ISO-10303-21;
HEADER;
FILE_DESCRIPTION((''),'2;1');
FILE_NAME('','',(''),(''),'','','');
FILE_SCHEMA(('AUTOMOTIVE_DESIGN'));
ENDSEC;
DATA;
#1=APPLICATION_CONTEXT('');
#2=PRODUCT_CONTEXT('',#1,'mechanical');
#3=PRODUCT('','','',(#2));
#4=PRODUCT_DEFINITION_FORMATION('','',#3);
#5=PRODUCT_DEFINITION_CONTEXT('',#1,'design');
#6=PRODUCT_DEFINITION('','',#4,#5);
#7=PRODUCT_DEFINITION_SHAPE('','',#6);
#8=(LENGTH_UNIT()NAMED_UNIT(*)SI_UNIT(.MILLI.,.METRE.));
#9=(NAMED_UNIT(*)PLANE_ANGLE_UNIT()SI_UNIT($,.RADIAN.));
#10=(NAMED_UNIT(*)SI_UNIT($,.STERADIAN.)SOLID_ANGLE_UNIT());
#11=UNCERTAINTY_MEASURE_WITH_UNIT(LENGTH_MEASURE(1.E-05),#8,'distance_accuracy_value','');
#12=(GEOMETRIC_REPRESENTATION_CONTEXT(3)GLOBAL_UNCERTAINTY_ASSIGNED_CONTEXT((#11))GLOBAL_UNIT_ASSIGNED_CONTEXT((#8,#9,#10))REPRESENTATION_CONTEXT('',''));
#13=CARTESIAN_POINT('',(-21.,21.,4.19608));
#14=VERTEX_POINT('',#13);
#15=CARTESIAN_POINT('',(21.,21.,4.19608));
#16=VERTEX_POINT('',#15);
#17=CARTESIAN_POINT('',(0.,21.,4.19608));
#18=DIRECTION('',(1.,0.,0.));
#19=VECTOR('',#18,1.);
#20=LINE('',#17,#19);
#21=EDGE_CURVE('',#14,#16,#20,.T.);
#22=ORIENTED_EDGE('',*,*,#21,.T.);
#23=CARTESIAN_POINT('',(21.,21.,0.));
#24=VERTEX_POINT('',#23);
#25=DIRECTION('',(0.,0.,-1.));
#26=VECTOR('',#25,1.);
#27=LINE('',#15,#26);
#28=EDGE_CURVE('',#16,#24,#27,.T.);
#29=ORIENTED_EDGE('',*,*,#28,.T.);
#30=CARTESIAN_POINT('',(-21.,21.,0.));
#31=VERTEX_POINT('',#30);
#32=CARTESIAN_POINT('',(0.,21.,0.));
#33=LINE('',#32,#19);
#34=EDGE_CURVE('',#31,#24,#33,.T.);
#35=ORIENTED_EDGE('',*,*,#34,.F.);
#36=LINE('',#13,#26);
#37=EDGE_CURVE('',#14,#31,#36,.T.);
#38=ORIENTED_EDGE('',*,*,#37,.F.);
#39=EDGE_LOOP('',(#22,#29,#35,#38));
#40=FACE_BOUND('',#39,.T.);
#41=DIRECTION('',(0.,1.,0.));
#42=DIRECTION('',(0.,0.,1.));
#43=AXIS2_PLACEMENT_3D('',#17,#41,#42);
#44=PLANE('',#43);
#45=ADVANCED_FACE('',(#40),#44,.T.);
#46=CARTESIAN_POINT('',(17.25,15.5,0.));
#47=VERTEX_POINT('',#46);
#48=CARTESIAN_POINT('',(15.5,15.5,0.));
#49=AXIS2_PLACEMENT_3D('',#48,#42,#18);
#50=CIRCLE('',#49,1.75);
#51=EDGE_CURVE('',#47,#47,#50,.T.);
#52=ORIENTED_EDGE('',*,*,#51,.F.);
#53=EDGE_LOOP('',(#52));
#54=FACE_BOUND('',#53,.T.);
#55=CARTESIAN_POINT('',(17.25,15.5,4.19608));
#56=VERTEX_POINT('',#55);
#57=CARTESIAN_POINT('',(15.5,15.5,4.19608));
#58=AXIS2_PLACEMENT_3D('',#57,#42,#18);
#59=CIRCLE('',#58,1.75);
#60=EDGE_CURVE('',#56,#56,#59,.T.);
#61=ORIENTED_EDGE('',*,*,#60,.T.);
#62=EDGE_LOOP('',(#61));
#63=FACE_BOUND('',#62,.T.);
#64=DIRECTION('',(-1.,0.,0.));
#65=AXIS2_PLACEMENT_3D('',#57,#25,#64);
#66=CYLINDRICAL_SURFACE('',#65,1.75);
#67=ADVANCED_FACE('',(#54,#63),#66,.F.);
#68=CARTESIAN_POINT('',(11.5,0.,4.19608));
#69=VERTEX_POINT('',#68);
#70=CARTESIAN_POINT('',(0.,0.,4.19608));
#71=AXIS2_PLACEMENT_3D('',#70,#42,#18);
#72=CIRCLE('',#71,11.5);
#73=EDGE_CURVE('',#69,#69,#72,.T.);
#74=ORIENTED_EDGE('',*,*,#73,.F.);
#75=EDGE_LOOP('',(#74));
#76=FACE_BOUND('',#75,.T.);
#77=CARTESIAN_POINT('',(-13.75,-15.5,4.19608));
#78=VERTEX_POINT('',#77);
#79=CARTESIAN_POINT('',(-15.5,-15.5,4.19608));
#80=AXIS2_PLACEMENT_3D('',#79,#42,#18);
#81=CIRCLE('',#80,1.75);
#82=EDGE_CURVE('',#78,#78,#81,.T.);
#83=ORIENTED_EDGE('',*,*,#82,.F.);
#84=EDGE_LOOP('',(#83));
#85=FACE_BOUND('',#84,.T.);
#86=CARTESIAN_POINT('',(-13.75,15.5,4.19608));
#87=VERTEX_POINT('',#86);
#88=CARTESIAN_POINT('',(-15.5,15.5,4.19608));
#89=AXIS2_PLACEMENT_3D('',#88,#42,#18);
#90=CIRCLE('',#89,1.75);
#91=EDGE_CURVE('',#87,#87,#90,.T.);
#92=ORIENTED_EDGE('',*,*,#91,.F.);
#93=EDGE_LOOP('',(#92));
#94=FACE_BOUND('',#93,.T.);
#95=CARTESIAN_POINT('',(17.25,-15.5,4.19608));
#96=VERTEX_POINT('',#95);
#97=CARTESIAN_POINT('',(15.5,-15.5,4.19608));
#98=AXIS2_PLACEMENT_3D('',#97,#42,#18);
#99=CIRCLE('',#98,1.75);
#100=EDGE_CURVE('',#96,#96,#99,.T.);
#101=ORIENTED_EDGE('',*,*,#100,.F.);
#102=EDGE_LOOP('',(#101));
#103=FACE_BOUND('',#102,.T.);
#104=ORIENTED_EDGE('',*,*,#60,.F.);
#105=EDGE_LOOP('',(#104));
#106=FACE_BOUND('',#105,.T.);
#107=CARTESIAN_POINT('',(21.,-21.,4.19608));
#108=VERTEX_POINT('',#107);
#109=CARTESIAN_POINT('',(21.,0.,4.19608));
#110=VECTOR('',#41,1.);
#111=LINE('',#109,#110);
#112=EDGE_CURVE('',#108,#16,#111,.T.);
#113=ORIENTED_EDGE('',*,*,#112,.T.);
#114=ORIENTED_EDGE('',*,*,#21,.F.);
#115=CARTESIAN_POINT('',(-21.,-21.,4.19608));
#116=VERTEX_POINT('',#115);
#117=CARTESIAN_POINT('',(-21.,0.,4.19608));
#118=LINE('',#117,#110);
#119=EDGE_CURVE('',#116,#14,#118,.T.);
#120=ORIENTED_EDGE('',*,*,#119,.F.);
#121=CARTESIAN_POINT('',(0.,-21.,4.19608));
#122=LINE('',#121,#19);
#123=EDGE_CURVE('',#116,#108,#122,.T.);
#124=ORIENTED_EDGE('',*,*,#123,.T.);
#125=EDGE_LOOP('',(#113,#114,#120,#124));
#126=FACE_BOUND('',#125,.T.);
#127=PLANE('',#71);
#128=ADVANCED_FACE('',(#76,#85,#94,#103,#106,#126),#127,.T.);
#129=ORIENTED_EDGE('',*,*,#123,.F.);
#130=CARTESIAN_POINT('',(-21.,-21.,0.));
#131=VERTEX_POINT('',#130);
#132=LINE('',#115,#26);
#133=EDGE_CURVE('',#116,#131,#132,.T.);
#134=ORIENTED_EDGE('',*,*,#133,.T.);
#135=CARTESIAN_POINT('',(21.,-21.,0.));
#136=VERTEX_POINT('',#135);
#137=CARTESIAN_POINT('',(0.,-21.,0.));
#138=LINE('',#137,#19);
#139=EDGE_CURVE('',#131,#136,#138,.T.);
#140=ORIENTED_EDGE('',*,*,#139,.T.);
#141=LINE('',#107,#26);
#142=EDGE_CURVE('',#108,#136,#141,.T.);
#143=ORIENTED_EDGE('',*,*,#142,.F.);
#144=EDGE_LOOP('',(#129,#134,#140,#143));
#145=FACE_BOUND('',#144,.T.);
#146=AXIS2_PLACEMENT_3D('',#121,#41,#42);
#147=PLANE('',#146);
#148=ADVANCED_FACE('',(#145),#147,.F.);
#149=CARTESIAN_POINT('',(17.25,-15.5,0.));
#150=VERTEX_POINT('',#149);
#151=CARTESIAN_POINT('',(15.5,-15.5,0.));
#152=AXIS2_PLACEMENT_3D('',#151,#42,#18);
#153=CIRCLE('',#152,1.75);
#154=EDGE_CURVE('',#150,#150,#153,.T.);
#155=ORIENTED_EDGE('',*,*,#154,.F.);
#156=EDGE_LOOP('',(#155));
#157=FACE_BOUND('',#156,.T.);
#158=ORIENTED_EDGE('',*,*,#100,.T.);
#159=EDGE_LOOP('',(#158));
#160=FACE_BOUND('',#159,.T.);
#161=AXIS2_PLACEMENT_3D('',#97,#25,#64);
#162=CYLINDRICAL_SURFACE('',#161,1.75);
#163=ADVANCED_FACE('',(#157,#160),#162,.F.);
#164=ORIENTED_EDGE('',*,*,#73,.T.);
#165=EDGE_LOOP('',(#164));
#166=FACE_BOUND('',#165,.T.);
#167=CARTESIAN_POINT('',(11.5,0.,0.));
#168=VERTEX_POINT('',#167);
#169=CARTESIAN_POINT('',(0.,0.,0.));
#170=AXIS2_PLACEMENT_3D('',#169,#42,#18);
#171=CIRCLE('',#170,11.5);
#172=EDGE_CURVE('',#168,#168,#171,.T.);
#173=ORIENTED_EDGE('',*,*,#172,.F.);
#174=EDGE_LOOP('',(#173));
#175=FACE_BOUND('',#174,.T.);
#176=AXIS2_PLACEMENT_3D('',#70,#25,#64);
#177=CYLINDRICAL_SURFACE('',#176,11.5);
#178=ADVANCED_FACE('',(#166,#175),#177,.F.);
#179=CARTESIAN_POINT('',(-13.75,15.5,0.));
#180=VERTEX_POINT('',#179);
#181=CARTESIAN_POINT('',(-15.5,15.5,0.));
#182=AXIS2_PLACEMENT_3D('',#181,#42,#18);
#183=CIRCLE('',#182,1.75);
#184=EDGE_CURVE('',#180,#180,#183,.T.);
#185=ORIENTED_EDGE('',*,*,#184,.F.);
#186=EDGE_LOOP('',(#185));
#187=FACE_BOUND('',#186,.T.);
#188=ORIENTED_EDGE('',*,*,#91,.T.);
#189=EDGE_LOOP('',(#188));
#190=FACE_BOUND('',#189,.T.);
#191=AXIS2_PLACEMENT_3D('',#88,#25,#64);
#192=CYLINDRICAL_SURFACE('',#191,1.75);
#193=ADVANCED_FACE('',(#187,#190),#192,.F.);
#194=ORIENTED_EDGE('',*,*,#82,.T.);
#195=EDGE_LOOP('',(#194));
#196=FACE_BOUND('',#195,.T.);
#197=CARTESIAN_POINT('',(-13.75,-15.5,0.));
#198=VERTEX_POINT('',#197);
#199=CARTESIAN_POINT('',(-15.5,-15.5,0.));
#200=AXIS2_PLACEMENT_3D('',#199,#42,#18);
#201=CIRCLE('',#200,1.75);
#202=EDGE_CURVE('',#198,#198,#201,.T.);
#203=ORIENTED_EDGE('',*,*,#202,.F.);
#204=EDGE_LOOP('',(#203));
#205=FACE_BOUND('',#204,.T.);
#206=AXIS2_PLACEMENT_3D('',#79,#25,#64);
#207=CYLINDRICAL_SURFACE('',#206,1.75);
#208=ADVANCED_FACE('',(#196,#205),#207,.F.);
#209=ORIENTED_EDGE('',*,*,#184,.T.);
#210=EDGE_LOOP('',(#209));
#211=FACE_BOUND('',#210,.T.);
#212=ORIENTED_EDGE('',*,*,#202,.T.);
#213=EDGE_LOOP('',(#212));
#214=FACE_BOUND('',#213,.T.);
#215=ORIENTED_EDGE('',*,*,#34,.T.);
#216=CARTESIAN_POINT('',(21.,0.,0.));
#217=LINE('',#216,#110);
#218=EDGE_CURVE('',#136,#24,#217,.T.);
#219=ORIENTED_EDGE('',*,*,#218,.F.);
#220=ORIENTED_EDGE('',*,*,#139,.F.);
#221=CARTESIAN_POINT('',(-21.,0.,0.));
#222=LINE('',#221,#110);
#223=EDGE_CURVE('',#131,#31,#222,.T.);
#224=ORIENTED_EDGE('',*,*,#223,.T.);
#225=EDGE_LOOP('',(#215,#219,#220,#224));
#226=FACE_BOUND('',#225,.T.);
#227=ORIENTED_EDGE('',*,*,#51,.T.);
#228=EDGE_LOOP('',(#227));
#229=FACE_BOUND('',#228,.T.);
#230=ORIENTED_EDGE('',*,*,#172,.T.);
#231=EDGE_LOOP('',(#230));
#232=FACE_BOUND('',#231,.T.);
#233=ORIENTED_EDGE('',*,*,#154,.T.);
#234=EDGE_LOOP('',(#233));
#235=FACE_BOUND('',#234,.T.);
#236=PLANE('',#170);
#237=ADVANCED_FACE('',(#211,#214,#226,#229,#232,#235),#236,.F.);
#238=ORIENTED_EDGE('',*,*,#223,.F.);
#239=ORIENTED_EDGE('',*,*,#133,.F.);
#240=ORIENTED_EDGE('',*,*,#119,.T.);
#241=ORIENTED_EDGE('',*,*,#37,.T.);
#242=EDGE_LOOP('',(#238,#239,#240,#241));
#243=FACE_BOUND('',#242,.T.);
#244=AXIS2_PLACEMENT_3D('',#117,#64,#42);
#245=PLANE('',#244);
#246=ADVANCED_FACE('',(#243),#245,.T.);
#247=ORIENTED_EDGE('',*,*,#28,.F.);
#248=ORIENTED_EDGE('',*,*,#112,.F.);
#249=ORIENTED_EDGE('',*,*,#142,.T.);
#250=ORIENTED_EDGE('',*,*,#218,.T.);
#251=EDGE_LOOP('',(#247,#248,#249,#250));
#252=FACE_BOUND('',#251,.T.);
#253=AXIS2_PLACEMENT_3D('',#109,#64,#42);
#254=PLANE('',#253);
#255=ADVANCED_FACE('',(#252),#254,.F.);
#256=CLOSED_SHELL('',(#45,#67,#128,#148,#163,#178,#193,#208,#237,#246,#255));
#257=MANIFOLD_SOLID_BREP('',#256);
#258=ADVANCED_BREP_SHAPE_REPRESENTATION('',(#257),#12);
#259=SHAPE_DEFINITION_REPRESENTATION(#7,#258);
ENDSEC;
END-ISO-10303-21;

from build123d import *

# Parameters (mm, degrees)
SKETCH1_W           = 42
SKETCH1_H           = 42
SKETCH1_R           = 11.5
SKETCH1_R_2         = 1.75
BOSS_EXTRUDE1_DEPTH = 4.19608


with BuildPart() as part:
    # Sketch1 → Boss-Extrude1 (new body)
    with BuildSketch(Plane.XY):
        Rectangle(SKETCH1_W, SKETCH1_H)
        Circle(SKETCH1_R, mode=Mode.SUBTRACT)
        with Locations((-15.5, 15.5)):
            Circle(SKETCH1_R_2, mode=Mode.SUBTRACT)
        with Locations((15.5, 15.5)):
            Circle(SKETCH1_R_2, mode=Mode.SUBTRACT)
        with Locations((15.5, -15.5)):
            Circle(SKETCH1_R_2, mode=Mode.SUBTRACT)
        with Locations((-15.5, -15.5)):
            Circle(SKETCH1_R_2, mode=Mode.SUBTRACT)
    extrude(amount=BOSS_EXTRUDE1_DEPTH)


solid = part.part
